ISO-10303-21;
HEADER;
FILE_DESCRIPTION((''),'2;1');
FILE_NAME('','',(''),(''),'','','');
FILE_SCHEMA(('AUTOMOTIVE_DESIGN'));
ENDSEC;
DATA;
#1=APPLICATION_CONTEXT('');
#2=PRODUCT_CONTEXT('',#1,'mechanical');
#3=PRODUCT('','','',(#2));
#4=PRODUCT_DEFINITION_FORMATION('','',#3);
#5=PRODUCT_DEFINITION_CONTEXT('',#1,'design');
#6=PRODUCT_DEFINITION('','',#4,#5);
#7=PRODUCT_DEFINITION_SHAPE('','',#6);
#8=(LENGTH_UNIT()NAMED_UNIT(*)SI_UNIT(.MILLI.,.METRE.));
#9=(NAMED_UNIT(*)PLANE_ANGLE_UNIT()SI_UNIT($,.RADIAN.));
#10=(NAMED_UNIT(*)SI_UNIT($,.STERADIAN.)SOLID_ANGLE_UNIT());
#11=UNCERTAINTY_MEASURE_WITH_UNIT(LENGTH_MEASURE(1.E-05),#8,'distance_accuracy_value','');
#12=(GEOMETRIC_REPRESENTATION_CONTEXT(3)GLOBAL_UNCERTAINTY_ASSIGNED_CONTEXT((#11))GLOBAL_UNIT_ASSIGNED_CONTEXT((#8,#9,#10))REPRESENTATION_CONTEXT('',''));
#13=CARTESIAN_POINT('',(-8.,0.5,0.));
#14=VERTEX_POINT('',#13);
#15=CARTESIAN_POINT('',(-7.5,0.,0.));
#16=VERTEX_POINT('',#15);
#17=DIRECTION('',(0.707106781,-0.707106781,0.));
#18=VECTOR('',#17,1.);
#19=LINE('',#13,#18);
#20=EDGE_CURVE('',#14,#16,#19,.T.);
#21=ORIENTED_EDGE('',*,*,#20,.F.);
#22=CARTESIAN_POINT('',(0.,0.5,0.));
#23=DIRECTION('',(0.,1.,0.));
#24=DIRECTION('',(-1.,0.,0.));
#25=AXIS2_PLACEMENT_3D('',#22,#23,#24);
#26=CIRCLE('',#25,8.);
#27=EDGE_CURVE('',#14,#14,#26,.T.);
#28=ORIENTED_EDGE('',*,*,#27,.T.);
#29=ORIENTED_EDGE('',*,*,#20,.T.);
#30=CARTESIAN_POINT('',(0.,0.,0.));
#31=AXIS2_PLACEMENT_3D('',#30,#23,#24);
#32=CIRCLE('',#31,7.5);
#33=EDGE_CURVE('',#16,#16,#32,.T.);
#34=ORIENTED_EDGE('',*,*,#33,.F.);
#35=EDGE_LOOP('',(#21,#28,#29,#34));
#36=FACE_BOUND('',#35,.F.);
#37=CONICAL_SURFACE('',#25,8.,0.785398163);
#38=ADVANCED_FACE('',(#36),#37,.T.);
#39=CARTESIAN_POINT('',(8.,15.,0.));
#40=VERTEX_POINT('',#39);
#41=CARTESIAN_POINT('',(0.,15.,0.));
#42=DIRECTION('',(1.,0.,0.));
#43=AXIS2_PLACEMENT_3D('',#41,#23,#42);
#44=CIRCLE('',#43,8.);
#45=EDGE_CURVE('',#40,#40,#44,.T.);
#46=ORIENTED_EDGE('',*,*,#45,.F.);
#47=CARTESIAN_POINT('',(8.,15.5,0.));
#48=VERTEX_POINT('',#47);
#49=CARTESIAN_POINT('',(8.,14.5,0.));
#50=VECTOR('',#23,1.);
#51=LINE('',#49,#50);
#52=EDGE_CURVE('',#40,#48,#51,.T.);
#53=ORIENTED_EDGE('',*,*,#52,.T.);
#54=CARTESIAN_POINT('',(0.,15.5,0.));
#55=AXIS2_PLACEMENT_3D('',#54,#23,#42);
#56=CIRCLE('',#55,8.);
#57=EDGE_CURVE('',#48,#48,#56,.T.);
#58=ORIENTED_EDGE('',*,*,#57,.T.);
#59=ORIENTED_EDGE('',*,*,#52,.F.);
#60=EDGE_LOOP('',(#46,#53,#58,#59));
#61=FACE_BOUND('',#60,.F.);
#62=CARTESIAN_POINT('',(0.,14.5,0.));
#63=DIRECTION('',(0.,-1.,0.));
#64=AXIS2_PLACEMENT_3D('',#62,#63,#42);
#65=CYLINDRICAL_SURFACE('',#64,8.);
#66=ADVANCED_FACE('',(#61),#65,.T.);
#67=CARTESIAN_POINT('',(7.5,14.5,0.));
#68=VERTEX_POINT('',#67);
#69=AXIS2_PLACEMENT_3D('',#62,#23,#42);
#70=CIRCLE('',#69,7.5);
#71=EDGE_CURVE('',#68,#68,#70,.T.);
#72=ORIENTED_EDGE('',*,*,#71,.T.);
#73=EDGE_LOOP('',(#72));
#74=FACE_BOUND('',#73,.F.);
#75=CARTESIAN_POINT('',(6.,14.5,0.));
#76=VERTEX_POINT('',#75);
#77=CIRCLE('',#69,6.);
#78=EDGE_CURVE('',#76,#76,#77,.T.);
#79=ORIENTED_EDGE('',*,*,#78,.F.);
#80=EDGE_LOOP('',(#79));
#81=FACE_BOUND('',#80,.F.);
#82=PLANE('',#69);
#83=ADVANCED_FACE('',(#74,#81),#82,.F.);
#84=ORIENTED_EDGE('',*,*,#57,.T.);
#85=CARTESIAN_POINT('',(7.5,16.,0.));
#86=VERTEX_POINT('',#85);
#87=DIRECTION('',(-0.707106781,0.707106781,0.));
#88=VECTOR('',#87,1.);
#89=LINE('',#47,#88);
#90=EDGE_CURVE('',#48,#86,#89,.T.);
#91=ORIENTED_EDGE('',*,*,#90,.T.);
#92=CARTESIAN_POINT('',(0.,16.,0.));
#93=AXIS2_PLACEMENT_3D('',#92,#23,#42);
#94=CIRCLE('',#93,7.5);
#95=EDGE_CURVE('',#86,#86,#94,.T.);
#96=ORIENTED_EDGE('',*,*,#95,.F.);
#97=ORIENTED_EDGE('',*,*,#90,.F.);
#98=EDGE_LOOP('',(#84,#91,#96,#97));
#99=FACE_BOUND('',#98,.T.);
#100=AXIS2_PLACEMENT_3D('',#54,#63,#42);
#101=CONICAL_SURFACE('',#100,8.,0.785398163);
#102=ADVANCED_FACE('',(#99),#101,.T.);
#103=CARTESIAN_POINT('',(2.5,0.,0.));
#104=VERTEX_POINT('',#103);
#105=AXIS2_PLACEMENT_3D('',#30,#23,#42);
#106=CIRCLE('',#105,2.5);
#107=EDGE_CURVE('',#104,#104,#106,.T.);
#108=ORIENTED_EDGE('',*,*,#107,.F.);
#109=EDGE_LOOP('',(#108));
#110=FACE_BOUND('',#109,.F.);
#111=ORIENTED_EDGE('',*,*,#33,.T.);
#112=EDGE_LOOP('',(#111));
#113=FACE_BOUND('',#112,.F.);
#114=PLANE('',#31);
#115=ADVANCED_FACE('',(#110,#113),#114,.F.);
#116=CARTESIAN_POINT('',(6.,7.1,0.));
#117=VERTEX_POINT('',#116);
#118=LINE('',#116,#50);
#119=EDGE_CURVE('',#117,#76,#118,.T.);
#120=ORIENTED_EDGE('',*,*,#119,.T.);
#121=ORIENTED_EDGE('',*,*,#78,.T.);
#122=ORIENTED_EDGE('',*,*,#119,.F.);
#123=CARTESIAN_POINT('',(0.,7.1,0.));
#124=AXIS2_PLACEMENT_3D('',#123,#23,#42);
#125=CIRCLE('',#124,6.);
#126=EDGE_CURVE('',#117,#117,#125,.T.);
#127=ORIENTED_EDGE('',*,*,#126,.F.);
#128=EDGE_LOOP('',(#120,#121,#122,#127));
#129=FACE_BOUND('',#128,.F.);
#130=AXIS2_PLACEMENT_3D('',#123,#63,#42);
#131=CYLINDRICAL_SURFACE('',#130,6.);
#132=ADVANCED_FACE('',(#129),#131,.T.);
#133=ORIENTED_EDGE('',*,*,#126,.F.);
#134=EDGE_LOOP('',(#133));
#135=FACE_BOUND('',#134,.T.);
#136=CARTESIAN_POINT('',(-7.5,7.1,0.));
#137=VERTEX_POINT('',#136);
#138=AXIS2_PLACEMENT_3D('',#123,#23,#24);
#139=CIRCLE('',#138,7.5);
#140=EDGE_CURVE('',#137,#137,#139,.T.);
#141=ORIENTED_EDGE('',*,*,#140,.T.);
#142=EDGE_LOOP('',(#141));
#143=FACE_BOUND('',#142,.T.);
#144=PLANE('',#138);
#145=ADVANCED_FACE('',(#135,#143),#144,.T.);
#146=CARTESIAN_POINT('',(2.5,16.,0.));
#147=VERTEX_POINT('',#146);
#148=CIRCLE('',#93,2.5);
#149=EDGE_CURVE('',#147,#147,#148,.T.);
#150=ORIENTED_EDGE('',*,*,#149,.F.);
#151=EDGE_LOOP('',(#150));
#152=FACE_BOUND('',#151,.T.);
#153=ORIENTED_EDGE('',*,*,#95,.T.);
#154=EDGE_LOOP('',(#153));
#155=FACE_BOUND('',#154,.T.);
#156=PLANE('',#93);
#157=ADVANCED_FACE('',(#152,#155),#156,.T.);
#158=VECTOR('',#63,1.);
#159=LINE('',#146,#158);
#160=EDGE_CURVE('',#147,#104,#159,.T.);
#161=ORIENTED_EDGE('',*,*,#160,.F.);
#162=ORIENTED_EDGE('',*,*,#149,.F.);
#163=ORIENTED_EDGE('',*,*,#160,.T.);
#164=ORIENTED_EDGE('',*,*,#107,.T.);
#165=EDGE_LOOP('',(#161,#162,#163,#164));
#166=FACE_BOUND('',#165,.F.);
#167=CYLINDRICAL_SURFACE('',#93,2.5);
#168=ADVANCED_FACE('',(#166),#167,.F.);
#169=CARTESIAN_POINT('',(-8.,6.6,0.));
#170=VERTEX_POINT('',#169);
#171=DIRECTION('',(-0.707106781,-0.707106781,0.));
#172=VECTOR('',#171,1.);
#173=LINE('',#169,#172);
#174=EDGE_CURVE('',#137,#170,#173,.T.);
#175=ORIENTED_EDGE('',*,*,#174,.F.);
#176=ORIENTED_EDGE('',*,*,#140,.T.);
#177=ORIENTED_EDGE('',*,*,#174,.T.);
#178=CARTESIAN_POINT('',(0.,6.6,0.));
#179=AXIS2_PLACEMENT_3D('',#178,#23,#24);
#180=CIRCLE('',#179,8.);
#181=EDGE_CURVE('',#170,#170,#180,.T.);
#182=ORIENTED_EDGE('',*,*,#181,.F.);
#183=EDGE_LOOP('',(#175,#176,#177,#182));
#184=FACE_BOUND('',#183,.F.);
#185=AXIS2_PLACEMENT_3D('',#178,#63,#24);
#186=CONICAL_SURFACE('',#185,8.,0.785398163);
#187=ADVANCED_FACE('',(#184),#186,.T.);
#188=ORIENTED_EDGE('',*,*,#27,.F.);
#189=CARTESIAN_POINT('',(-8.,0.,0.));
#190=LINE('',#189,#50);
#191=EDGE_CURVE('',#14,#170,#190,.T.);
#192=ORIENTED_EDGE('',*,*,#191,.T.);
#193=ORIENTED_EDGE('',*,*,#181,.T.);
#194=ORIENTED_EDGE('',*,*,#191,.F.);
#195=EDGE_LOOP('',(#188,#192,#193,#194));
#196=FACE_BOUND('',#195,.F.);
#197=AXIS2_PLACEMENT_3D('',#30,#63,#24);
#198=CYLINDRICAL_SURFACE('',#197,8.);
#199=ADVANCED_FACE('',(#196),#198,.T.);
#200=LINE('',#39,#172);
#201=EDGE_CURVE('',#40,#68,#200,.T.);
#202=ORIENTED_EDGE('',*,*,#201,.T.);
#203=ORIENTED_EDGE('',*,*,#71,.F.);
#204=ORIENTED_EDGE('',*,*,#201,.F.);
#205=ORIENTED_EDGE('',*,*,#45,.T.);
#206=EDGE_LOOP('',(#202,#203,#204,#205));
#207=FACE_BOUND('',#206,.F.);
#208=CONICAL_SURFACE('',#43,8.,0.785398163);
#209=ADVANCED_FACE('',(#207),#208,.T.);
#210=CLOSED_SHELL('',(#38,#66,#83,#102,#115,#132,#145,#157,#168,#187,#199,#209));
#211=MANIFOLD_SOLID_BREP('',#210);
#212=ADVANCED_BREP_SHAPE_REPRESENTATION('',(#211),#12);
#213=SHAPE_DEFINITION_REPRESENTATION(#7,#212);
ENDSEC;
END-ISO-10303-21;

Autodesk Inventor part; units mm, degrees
ref_plane "YZ Plane" through (0, 0, 0) normal (1, 0, 0) x (0, 1, 0)
ref_plane "XZ Plane" through (0, 0, 0) normal (0, 1, 0) x (-1, 0, 0)
ref_plane "XY Plane" through (0, 0, 0) normal (0, 0, 1) x (1, 0, 0)
sketch "Sketch1" plane through (0, 0, 0) normal (0, 1, 0) x (-1, 0, 0)
  circle A0 centre (0, 0) radius 8
  dimension "d0" = 16
extrude "Extrusion1" add sketch "Sketch1" along normal blind 7.1
sketch "Sketch2" plane through (0, 7.1, 0) normal (0, 1, 0) x (1, 0, 0)
  circle A0 centre (0, 0) radius 6
  dimension "d3" = 12
extrude "Extrusion2" add sketch "Sketch2" along normal blind 7.4
sketch "Sketch3" plane through (0, 14.5, 0) normal (0, 1, 0) x (1, 0, 0)
  circle A0 centre (0, 0) radius 8 projected
extrude "Extrusion3" add sketch "Sketch3" along normal blind 1.5
chamfer "Chamfer1" distance 0.5 angle 45 4 edges at (-8, 16, 0) (-8, 14.5, 0) (8, 7.1, 0) (8, 0, 0)
sketch "Sketch4" plane through (0, 16, 0) normal (0, 1, 0) x (1, 0, 0)
  circle A0 centre (0, 0) radius 2.5
  dimension "d11" = 5
extrude "Extrusion4" cut sketch "Sketch4" against normal blind 16
properties part number "2GT_wheel"
